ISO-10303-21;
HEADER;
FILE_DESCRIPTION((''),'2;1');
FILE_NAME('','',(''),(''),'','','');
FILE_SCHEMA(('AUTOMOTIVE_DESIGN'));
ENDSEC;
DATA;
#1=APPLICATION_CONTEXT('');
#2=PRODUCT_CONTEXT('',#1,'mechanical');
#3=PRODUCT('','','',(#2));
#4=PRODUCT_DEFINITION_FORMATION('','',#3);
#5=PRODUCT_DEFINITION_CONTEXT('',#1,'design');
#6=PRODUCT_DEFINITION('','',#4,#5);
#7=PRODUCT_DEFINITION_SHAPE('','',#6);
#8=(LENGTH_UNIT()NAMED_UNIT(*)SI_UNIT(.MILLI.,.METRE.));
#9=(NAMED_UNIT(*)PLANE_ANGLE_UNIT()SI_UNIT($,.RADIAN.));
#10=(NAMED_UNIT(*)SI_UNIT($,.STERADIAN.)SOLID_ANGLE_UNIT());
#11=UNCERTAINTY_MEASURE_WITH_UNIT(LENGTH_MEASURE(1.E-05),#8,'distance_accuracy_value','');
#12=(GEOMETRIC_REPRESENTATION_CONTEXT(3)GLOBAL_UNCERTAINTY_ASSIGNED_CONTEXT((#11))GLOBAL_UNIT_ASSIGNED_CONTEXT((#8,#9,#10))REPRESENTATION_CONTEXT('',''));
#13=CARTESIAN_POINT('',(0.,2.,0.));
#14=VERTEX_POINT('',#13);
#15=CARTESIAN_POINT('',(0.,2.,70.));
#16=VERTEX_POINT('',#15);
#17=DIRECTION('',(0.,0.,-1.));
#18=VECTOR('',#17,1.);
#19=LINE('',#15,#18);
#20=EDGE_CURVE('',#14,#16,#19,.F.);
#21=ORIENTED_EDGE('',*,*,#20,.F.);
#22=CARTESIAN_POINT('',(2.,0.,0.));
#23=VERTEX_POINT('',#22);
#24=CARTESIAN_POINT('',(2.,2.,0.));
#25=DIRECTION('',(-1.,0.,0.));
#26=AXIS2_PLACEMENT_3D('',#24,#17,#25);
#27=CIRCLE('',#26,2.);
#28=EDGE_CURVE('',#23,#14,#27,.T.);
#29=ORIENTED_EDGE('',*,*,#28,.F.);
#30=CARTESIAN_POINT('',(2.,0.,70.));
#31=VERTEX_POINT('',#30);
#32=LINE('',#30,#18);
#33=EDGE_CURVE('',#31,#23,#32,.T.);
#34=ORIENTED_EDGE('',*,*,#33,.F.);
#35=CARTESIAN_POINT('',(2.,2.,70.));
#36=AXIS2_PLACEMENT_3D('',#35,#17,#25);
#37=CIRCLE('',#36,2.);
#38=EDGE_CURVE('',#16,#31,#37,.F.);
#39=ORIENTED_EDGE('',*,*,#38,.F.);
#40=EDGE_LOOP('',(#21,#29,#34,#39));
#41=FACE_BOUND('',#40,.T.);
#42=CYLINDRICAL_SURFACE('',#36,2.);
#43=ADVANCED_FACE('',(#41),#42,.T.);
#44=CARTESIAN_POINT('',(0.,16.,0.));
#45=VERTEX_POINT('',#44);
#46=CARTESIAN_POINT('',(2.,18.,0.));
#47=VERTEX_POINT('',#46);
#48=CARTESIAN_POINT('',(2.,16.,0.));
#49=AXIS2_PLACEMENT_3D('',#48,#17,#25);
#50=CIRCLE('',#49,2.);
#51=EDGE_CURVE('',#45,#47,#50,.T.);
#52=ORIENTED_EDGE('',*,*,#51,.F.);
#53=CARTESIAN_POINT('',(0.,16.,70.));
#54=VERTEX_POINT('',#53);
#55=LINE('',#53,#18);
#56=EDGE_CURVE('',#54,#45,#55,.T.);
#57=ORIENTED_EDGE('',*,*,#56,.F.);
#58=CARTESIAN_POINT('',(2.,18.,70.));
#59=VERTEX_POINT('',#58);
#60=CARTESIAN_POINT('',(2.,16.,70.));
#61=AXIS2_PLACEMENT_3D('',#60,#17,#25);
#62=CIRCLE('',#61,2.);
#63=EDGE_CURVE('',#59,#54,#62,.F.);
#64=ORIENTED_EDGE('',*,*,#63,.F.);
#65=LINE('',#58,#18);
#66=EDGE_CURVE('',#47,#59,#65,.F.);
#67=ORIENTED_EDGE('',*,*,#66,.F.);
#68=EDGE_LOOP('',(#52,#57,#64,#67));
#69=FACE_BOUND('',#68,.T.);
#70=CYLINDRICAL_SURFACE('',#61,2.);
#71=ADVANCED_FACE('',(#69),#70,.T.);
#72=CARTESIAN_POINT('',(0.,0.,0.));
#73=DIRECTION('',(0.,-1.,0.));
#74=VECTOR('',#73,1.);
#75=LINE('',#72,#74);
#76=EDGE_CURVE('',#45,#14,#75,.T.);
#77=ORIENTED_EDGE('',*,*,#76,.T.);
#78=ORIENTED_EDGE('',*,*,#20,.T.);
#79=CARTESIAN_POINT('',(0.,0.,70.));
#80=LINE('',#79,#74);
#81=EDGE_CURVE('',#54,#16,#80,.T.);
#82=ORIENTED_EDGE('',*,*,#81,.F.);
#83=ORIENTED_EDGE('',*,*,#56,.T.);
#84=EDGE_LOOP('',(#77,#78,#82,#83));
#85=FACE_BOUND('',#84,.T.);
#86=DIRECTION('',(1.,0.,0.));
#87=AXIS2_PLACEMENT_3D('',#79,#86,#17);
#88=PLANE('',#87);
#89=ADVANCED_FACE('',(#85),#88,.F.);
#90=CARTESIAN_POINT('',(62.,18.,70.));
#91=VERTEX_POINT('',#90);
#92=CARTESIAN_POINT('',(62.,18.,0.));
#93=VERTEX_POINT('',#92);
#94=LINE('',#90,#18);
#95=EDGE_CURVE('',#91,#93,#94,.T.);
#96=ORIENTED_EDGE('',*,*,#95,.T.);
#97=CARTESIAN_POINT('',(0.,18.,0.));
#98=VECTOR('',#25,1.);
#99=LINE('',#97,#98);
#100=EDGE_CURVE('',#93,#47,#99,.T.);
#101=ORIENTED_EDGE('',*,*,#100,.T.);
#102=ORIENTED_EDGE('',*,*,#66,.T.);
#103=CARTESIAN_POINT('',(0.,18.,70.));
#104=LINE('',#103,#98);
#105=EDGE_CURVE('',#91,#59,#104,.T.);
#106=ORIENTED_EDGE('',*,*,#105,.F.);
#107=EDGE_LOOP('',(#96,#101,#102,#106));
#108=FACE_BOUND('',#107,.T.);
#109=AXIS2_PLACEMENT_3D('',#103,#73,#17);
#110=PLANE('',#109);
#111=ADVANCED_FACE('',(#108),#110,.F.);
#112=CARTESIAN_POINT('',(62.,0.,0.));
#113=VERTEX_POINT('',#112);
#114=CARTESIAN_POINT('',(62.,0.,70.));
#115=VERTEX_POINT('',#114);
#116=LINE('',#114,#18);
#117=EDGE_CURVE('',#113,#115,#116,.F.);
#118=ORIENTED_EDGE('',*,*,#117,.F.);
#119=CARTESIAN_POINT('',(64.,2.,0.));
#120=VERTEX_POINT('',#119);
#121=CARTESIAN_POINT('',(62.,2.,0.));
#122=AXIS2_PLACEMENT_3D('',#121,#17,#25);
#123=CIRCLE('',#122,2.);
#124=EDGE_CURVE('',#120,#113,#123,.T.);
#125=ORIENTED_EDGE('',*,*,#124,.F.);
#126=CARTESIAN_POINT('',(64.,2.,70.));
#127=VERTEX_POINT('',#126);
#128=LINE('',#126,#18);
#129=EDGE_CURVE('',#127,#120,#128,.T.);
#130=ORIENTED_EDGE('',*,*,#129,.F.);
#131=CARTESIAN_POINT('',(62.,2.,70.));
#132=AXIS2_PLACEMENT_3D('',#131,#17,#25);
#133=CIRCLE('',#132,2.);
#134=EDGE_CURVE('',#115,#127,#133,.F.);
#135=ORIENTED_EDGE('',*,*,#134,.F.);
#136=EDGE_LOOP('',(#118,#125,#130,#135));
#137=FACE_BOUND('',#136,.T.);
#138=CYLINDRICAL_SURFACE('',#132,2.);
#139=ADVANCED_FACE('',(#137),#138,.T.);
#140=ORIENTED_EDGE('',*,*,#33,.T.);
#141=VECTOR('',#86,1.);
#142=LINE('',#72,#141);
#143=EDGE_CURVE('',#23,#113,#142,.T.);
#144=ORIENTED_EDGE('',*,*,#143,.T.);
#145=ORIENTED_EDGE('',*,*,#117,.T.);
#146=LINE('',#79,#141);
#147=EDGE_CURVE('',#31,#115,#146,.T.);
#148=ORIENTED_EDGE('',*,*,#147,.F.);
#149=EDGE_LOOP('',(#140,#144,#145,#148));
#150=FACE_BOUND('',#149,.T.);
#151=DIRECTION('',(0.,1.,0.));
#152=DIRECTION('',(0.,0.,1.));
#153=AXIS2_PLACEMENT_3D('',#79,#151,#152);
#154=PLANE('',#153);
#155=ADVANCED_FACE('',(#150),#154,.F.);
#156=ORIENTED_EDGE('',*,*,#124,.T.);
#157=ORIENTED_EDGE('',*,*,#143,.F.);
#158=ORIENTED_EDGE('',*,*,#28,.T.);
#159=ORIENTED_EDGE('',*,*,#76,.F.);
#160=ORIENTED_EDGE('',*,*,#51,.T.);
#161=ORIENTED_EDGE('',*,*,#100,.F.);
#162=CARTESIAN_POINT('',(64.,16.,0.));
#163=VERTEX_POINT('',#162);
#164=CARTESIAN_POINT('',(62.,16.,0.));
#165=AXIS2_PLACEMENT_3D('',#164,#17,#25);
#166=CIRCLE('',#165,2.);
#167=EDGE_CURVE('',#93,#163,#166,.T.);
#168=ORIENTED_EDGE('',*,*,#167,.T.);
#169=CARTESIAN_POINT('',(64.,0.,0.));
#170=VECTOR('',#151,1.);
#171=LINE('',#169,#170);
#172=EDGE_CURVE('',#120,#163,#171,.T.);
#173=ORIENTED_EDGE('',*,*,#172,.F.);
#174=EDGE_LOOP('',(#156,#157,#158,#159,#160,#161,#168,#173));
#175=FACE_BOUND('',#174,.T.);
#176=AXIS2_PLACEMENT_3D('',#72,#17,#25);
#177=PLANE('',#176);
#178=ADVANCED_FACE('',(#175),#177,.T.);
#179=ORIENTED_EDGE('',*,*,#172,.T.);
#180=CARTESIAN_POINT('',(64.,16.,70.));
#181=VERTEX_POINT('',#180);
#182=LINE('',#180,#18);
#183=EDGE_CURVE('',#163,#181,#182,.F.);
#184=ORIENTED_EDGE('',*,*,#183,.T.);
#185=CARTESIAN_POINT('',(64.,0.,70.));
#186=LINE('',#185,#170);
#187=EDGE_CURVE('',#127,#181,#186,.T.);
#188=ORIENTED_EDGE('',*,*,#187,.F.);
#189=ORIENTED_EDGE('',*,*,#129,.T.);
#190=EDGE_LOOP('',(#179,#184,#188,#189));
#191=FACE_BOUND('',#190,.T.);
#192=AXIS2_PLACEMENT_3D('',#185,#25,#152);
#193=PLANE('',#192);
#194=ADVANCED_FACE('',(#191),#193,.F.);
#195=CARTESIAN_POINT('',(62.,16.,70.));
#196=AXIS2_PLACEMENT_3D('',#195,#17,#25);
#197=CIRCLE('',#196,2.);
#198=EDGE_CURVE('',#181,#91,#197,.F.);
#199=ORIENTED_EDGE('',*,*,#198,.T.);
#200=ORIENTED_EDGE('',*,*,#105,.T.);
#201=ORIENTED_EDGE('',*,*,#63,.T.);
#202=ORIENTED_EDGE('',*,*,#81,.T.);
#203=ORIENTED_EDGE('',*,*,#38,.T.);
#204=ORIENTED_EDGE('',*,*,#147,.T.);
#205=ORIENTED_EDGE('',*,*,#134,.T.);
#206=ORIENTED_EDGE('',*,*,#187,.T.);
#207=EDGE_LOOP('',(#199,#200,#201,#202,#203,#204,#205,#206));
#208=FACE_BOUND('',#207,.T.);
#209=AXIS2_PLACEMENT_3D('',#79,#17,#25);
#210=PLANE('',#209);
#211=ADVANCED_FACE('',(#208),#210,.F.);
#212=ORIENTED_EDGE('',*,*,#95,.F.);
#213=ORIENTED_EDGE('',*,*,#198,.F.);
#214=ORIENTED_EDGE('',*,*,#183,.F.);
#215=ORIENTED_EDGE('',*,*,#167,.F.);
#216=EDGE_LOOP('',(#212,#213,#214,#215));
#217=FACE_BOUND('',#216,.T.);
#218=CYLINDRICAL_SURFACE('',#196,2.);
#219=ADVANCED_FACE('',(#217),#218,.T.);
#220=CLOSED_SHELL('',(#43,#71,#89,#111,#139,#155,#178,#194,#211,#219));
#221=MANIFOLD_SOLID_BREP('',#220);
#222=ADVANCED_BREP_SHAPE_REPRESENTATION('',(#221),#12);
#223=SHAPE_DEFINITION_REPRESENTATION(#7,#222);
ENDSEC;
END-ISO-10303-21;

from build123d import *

# Parameters (mm, degrees)
SKETCH_1_W      = 64
SKETCH_1_H      = 18
EXTRUDE_1_DEPTH = 70
FILLET_1_R      = 2


with BuildPart() as part:
    # 草圖1 → 填料-伸長1 (new body)
    with BuildSketch(Plane.XY):
        with Locations((32, 9)):
            Rectangle(SKETCH_1_W, SKETCH_1_H)
    extrude(amount=EXTRUDE_1_DEPTH)

    # 圓角1
    fillet_1_edges = [part.edges().sort_by_distance(p)[0] for p in [
        (0, 18, 35),
        (64, 18, 35),
        (64, 0, 35),
        (0, 0, 35),
    ]]
    fillet(fillet_1_edges, radius=FILLET_1_R)


solid = part.part
